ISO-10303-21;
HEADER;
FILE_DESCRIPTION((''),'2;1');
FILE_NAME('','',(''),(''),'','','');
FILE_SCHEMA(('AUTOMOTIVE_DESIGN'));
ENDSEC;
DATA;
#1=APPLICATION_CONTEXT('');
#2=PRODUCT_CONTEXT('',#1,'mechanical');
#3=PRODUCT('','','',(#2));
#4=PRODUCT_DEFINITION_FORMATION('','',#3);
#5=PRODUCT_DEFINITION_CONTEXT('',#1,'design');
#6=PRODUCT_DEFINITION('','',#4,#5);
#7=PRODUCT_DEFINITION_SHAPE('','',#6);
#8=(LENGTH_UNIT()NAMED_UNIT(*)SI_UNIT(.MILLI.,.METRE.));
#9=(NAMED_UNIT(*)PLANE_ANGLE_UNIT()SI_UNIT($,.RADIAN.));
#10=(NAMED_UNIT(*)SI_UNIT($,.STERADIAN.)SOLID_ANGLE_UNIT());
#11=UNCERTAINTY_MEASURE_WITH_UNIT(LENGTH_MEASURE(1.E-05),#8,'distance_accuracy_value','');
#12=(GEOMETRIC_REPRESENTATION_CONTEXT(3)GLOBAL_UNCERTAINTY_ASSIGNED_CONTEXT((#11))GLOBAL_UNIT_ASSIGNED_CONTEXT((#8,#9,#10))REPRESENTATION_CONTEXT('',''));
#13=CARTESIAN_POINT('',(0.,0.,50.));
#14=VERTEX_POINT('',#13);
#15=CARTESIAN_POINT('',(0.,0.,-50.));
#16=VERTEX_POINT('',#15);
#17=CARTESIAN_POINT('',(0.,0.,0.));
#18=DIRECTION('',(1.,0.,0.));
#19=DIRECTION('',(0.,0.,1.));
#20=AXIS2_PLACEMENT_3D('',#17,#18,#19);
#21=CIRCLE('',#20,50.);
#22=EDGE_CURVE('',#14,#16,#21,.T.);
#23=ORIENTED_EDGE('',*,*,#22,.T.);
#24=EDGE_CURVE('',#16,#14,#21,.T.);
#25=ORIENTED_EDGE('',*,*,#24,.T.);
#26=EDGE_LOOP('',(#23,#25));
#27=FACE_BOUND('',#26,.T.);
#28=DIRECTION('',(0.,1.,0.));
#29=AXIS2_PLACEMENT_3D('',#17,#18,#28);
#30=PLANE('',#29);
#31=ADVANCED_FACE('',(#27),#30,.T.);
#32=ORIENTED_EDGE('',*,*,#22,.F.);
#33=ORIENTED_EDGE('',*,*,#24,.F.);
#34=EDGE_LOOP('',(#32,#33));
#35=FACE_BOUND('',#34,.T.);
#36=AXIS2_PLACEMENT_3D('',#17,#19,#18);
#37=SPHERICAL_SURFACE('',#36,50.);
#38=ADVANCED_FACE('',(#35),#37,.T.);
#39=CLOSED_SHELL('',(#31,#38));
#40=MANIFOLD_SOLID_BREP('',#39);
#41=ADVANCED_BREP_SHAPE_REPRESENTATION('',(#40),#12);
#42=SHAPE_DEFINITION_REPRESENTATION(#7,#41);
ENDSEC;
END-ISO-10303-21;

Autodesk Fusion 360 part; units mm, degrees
sketch "Sketch1" plane through (0, 0, 0) normal (0, 0, 1) x (1, 0, 0)
sphere "SpherePrimitive1" add diameter 100 placed x (1, 0, 0) y (0, 1, 0) z (0, 0, 1) at (0, 0, 0)
sketch "Sketch2" plane through (0, 0, 0) normal (1, 0, 0) x (0, 1, 0)
  line L0 (75, 50) -> (-75, 50)
  line L1 (-75, 50) -> (-75, -50)
  line L2 (-75, -50) -> (75, -50)
  line L3 (75, -50) -> (75, 50)
extrude "Extrude1" cut sketch "Sketch2" along normal blind 50
shell "Shell1" thickness 10 removed faces 1 at (0, -9.8252, -7.4174)
